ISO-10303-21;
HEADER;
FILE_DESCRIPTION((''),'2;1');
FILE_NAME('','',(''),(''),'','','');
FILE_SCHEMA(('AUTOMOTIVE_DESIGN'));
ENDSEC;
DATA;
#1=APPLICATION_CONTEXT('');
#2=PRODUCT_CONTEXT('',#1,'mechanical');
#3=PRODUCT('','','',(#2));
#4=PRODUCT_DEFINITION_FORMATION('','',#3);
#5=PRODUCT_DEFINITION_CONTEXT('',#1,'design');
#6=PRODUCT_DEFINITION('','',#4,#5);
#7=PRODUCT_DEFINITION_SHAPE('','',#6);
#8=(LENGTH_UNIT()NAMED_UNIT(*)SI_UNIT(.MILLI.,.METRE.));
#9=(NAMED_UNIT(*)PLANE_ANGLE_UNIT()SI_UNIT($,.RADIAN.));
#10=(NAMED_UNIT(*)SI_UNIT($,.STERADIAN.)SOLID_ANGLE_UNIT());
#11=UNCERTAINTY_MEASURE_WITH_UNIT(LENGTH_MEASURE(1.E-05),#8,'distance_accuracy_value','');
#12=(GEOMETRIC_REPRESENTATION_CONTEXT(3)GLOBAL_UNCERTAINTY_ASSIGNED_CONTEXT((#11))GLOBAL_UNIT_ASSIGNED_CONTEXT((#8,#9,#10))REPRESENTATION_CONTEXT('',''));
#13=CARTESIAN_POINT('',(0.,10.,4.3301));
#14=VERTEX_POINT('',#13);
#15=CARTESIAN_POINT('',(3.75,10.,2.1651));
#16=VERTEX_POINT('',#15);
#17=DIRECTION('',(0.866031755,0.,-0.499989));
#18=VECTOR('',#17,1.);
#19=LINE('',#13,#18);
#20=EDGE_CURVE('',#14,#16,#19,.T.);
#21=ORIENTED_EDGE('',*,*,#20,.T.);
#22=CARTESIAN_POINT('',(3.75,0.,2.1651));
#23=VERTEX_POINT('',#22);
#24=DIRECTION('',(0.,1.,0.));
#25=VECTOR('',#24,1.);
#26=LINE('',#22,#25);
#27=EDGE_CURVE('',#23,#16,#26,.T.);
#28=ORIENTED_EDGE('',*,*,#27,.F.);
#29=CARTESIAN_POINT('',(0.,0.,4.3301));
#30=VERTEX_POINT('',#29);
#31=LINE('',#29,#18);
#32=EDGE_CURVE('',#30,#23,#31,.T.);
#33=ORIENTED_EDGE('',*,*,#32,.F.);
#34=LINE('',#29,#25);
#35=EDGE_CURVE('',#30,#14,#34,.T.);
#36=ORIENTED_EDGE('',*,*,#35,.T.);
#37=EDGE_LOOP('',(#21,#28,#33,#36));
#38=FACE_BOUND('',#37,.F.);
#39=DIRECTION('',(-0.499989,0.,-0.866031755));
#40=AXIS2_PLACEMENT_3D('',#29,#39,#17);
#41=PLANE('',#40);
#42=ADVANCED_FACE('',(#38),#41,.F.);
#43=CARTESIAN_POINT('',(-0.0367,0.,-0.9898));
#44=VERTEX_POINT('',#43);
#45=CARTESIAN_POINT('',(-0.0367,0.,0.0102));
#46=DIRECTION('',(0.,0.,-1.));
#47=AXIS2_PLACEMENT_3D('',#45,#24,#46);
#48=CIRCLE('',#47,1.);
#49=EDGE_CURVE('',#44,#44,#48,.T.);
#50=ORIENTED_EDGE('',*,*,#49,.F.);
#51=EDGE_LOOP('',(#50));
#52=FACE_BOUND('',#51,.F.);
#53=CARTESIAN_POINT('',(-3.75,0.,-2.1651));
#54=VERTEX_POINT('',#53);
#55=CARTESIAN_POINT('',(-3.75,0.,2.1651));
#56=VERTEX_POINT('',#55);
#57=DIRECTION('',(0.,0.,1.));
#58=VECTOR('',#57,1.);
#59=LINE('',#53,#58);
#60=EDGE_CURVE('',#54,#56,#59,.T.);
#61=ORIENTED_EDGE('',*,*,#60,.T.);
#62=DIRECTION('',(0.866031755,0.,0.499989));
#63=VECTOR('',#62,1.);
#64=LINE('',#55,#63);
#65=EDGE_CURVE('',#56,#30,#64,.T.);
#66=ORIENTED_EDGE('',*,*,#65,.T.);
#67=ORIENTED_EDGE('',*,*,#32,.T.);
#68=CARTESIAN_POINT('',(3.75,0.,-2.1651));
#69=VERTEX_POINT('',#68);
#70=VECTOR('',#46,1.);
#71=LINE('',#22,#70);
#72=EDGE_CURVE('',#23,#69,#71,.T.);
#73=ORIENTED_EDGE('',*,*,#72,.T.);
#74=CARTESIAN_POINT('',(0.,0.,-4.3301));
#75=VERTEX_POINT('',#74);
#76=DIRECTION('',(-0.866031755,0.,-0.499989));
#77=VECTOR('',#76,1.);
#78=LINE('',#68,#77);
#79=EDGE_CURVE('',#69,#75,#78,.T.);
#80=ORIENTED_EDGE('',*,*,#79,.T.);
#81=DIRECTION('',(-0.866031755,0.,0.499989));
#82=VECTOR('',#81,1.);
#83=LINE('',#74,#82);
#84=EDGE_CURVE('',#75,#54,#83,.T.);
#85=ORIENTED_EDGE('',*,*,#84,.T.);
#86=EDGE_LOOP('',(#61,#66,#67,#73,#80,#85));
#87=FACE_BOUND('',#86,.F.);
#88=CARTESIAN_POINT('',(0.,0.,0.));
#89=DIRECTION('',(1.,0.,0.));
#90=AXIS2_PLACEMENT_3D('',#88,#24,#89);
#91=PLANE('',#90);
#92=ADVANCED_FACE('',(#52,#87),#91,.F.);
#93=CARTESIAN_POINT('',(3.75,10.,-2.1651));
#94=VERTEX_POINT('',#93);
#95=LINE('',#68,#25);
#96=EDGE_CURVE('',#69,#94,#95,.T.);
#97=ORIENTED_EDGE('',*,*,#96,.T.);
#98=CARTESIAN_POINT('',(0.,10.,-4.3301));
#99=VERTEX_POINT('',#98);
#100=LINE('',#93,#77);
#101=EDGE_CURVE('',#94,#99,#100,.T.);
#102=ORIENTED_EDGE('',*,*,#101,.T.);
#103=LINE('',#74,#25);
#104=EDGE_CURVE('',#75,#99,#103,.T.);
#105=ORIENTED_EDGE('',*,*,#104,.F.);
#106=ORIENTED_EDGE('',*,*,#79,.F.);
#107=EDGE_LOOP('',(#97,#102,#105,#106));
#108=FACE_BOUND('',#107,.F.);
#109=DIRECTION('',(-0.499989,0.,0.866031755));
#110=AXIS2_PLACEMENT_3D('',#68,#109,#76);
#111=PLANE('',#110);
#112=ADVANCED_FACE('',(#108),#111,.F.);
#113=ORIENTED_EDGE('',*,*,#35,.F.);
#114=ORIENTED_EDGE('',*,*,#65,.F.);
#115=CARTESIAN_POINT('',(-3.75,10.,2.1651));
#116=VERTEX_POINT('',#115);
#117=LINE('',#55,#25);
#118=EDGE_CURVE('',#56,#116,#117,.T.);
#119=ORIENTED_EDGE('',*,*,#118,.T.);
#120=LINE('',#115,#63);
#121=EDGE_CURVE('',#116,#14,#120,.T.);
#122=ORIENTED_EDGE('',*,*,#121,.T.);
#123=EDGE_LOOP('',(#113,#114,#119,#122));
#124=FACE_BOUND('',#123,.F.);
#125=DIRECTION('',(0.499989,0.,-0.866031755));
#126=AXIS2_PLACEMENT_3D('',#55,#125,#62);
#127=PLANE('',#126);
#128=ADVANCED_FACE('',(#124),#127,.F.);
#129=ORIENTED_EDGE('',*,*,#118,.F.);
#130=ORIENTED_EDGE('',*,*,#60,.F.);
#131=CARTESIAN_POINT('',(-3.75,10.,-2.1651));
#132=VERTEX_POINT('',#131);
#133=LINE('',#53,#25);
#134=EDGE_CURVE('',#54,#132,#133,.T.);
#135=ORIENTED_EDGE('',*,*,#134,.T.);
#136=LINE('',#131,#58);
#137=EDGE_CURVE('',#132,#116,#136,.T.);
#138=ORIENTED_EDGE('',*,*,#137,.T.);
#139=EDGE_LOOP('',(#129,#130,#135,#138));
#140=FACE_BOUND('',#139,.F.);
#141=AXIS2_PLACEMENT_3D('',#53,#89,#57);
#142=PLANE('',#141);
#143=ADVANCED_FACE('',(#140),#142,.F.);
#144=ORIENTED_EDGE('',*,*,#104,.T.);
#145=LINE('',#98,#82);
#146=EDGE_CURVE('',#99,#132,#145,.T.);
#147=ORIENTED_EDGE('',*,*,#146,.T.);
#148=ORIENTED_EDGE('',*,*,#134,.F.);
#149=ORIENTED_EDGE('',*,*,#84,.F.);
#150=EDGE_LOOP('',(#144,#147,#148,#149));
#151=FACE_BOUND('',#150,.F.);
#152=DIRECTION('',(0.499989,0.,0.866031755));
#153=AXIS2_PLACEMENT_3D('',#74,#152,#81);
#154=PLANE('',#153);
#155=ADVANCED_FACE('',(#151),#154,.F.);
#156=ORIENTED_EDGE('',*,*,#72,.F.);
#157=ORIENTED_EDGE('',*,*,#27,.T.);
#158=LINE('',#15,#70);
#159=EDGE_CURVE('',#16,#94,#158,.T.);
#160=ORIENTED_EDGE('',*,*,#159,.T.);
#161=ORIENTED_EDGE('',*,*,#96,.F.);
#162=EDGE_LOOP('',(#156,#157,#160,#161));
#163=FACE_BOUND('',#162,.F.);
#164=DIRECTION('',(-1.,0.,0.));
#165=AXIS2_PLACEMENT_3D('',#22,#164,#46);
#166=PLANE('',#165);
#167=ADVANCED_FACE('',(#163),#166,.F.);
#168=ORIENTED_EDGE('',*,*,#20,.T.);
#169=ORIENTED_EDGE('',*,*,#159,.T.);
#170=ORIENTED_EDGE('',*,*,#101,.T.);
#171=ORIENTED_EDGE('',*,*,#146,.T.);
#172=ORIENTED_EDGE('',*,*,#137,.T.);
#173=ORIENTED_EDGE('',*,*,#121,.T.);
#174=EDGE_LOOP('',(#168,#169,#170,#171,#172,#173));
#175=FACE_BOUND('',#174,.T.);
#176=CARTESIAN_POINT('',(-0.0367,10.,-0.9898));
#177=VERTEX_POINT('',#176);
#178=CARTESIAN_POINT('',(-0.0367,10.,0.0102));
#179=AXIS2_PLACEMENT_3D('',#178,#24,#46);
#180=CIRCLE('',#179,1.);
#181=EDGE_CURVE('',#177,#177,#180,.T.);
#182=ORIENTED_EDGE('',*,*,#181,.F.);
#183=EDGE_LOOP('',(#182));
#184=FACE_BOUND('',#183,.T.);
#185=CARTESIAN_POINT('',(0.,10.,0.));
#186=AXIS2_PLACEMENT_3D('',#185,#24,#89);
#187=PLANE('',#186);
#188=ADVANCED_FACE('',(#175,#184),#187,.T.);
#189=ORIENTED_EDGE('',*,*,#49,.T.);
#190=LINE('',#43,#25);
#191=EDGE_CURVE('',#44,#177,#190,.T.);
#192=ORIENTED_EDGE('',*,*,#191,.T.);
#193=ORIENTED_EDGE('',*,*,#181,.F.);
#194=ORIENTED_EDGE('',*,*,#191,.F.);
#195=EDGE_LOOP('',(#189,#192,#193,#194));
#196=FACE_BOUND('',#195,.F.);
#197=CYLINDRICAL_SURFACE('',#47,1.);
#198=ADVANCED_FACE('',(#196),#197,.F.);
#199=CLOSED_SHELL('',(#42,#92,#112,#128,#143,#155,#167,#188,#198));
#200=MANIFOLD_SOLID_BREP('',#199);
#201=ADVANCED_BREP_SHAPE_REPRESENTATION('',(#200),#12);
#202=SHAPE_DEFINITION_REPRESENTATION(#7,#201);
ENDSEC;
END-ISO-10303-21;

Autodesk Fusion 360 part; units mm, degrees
sketch "Sketch1" plane through (0, 0, 0) normal (0, 1, 0) x (1, 0, 0)
  line L0 (3.75, 2.1651) -> (0, 4.3301)
  line L1 (0, 4.3301) -> (-3.75, 2.1651)
  line L2 (-3.75, 2.1651) -> (-3.75, -2.1651)
  line L3 (-3.75, -2.1651) -> (0, -4.3301)
  line L4 (0, -4.3301) -> (3.75, -2.1651)
  line L5 (3.75, -2.1651) -> (3.75, 2.1651)
  dimension "d4" = 3.75
extrude "Extrude1" add sketch "Sketch1" along normal blind 10
hole "Hole1" at (-0.0367, 0, 0.0102) direction (0, 1, 0) diameter 2 depth 10 tip angle 180
